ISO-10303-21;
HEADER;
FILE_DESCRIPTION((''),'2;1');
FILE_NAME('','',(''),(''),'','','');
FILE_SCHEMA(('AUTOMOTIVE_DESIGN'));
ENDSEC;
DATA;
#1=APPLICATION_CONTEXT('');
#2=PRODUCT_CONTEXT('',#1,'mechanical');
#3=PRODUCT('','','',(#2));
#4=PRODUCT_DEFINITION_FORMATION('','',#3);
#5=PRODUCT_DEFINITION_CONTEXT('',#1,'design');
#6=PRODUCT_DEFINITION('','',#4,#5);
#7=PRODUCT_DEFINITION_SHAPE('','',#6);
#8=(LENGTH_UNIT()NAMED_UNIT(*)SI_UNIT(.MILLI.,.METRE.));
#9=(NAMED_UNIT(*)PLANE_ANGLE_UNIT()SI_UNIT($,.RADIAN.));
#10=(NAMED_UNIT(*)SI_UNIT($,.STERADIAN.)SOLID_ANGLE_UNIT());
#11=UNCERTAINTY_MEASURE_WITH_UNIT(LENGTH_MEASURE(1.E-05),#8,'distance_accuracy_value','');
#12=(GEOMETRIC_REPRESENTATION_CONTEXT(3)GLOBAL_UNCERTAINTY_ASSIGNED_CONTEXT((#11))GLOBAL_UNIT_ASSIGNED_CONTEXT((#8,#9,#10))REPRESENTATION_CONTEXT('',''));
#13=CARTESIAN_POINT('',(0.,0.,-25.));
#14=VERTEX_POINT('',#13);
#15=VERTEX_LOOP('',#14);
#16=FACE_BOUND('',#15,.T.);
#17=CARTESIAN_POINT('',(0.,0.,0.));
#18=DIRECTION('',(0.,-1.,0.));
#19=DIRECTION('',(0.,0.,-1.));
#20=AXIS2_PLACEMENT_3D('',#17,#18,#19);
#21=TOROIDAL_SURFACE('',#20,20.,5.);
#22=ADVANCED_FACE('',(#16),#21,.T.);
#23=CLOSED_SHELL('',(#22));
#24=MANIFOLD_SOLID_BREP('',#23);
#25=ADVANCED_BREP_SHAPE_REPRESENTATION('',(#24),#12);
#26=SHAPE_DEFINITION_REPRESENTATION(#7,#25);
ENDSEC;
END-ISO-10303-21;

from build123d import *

# Parameters (mm, degrees)
SKETCH1_R = 5


with BuildPart() as part:
    # Sketch1 → Revolve1 (revolve)
    with BuildSketch(Plane.XY, mode=Mode.PRIVATE) as revolve1_sk:
        with Locations((-20, 0)):
            Circle(SKETCH1_R)
    revolve(revolve1_sk.sketch.rotate(Axis((0, 0, 0), (0, 1, 0)), 270), axis=Axis((0, 0, 0), (0, 1, 0)))


solid = part.part
